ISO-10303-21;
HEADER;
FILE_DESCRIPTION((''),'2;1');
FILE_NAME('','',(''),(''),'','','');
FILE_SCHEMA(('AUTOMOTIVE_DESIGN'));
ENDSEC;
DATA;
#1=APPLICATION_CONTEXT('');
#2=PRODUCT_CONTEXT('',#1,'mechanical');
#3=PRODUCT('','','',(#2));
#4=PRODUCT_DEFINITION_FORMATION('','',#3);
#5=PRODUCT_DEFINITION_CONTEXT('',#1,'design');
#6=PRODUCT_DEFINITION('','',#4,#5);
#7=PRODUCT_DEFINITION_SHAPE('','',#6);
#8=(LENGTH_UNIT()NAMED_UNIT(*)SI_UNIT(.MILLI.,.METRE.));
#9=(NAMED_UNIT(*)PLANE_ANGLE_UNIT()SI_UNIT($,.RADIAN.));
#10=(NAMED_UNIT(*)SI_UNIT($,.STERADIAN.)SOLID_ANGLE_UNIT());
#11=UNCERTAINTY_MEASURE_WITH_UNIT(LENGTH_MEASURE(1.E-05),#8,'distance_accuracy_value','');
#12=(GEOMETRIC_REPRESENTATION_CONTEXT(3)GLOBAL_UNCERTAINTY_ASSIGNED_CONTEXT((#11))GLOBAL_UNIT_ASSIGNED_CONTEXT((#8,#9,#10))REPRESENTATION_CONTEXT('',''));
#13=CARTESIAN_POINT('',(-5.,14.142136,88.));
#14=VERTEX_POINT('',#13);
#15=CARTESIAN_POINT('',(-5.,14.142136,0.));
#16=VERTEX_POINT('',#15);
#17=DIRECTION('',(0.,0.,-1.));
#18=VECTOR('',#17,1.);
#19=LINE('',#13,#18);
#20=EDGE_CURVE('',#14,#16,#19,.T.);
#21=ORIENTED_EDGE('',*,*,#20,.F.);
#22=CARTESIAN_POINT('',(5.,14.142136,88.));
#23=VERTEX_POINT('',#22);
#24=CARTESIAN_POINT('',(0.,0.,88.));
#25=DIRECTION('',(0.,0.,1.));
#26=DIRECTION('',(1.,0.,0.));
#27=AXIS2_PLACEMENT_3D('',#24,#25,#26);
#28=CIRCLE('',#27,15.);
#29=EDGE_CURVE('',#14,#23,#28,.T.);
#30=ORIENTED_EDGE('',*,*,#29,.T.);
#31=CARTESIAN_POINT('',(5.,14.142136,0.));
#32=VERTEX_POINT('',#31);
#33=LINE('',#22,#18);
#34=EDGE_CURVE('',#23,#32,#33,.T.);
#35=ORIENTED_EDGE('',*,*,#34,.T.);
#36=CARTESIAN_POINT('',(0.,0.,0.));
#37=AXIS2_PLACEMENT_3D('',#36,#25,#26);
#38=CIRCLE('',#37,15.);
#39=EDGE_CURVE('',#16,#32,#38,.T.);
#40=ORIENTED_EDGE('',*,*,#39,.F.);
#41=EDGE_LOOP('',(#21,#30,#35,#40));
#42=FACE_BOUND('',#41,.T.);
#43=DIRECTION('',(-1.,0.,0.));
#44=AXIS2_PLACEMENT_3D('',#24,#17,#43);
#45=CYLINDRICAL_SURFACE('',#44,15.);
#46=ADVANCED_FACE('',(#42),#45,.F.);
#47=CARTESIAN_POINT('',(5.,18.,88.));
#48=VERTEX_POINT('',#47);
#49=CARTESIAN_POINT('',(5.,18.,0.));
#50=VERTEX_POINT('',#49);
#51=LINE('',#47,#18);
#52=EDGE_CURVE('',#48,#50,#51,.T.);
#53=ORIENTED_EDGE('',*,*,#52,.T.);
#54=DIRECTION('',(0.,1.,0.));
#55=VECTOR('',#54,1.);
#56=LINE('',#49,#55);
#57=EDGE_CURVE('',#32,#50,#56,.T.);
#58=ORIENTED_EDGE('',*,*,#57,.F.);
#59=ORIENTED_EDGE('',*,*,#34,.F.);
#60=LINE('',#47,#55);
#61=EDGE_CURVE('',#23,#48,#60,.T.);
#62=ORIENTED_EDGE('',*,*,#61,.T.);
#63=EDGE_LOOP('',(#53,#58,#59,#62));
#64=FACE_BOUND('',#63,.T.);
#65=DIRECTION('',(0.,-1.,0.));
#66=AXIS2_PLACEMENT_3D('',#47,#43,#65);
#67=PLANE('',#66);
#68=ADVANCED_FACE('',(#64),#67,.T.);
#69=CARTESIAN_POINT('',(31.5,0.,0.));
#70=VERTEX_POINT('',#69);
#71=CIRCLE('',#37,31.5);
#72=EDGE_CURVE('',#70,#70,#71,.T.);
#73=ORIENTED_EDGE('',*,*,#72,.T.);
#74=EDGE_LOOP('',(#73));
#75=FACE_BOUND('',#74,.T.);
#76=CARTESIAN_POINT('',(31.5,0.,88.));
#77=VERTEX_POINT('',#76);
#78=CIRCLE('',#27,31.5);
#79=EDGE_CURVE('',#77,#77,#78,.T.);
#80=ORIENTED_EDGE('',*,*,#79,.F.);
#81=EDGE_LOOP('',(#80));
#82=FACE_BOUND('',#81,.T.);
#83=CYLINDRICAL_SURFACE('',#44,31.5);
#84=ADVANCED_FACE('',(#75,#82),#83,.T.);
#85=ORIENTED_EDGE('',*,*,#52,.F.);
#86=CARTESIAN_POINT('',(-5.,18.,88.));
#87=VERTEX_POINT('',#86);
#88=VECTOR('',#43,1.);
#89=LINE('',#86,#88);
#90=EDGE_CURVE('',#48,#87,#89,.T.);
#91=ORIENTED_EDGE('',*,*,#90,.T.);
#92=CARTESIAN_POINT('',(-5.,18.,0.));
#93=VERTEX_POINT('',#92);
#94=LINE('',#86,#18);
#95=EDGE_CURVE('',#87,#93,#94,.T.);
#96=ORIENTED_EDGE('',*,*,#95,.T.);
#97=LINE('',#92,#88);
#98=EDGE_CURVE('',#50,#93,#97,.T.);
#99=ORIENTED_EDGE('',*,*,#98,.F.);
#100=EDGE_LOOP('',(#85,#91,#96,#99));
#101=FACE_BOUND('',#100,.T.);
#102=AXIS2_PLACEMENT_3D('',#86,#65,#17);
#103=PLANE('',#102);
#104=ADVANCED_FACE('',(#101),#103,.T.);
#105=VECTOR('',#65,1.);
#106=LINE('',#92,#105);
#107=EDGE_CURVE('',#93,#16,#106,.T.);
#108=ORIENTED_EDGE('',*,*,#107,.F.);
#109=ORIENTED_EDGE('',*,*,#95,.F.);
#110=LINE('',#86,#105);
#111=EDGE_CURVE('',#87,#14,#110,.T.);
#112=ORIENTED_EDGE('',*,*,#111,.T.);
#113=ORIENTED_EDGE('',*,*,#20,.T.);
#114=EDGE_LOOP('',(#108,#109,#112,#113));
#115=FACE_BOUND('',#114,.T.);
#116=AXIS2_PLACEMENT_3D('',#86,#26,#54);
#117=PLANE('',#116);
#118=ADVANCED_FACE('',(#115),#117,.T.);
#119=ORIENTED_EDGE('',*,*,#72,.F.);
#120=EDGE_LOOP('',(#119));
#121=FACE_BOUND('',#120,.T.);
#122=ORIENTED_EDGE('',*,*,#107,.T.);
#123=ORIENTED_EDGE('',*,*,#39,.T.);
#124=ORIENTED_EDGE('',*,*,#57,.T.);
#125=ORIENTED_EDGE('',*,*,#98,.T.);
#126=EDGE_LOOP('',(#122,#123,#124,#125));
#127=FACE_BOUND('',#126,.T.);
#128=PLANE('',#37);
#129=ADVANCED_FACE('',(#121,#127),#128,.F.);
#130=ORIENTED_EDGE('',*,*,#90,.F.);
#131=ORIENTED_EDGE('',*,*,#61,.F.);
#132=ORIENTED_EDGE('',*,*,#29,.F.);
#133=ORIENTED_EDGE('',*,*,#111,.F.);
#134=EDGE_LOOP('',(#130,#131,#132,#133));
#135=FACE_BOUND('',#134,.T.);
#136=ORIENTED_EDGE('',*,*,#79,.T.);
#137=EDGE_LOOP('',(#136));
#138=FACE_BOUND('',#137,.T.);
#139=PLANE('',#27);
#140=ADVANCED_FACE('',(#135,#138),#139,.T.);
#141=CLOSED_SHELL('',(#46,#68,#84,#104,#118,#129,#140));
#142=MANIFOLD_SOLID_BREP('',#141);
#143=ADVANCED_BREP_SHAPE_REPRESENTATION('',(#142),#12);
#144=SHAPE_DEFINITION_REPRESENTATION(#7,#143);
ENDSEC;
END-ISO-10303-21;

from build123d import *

# Parameters (mm, degrees)
SKETCH1_R           = 31.5
BOSS_EXTRUDE1_DEPTH = 88


with BuildPart() as part:
    # Sketch1 → Boss-Extrude1 (new body)
    with BuildSketch(Plane.XY):
        Circle(SKETCH1_R)
        with BuildLine():
            Line((-5, 18), (5, 18))
            Line((5, 18), (5, 14.142135624))
            ThreePointArc((5, 14.142135624), (0, -15), (-5, 14.142135624))
            Line((-5, 14.142135624), (-5, 18))
        make_face(mode=Mode.SUBTRACT)
    extrude(amount=BOSS_EXTRUDE1_DEPTH)


solid = part.part
